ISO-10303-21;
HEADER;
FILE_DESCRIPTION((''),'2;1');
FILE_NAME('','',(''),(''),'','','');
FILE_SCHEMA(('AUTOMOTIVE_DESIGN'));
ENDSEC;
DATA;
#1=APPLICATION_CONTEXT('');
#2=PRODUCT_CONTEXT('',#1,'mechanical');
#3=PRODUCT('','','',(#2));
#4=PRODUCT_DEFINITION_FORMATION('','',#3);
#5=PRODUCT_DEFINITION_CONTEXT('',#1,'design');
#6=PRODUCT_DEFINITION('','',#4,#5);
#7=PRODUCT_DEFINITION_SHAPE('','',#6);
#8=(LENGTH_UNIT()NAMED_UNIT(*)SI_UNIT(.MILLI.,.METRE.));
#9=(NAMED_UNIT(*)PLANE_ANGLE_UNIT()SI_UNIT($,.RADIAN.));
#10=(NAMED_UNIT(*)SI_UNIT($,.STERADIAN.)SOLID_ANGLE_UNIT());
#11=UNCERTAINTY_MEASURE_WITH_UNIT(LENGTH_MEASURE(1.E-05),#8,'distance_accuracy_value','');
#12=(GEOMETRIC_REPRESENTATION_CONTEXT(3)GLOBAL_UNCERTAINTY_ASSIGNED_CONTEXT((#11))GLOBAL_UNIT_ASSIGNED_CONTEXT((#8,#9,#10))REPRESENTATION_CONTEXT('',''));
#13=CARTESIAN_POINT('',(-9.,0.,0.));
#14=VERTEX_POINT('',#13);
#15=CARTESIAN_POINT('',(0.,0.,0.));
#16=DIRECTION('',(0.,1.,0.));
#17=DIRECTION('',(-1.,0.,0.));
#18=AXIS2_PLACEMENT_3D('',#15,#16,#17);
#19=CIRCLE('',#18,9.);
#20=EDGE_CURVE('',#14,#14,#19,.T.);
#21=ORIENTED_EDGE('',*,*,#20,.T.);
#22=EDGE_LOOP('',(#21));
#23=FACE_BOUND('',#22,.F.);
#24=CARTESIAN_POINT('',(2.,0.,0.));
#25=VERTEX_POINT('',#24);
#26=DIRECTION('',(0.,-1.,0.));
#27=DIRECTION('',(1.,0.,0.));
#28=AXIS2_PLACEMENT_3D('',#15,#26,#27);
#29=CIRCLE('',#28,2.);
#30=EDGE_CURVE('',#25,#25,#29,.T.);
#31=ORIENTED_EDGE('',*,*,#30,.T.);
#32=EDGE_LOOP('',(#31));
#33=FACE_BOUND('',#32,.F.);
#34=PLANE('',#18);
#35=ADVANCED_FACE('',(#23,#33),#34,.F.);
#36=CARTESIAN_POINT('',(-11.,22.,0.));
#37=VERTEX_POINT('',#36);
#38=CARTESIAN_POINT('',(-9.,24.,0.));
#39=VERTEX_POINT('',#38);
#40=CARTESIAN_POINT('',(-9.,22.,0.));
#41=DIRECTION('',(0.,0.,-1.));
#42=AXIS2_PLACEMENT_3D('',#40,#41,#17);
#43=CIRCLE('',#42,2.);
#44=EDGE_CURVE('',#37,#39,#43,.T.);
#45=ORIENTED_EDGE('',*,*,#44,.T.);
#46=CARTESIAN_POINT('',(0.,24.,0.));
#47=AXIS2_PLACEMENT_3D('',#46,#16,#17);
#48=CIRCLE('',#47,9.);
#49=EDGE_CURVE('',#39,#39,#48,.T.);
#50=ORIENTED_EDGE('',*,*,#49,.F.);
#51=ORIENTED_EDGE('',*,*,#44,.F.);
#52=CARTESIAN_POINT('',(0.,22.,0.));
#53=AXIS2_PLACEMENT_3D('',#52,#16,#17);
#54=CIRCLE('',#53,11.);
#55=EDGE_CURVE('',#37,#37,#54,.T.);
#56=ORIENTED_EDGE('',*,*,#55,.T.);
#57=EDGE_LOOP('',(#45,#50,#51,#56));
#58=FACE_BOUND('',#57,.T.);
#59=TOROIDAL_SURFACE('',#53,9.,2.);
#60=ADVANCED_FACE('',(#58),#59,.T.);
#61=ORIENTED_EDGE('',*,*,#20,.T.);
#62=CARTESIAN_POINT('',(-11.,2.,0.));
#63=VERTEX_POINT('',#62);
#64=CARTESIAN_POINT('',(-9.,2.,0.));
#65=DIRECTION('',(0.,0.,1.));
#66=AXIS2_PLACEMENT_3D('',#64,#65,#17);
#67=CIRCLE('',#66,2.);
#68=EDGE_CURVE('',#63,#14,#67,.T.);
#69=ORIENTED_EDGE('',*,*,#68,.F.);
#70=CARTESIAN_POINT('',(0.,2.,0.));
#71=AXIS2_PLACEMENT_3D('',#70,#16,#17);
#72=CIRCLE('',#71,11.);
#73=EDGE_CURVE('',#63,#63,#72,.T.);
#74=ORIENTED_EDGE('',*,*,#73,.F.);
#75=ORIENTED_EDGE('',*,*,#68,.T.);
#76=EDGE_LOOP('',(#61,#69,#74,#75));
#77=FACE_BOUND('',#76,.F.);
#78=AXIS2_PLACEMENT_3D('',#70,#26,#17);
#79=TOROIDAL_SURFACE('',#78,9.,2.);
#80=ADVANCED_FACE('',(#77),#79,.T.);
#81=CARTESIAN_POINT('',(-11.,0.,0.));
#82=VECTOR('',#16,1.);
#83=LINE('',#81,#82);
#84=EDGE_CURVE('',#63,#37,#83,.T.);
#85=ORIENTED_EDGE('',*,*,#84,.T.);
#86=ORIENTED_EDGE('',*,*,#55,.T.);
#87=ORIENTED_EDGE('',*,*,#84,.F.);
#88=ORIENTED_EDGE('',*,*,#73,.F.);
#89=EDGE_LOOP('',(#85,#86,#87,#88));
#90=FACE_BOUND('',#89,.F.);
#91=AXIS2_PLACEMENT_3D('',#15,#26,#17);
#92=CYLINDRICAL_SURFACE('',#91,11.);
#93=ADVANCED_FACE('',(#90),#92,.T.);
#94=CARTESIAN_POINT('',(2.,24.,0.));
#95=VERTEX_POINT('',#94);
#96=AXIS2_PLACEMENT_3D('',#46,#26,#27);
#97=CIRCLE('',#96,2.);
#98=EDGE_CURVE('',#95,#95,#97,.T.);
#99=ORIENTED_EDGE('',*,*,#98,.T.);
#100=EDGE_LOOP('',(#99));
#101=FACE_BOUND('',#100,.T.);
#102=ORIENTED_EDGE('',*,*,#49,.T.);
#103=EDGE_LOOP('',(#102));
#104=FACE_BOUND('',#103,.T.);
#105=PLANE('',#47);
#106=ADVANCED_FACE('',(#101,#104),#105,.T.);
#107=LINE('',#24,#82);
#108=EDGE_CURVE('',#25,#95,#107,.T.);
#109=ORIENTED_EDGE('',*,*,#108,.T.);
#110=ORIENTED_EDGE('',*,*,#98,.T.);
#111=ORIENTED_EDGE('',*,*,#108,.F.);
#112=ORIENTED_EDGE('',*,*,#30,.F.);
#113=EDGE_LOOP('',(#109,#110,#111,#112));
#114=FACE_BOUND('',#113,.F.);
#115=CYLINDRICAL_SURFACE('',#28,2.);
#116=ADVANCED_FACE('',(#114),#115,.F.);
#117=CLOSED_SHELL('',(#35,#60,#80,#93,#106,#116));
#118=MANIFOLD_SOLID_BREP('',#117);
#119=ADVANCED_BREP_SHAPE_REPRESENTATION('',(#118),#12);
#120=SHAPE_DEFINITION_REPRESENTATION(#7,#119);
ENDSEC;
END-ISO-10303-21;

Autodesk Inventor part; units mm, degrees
ref_plane "YZ Plane" through (0, 0, 0) normal (1, 0, 0) x (0, 1, 0)
ref_plane "XZ Plane" through (0, 0, 0) normal (0, 1, 0) x (-1, 0, 0)
ref_plane "XY Plane" through (0, 0, 0) normal (0, 0, 1) x (1, 0, 0)
sketch "Sketch1" plane through (0, 0, 0) normal (0, 1, 0) x (-1, 0, 0)
  circle A0 centre (0, 0) radius 11
  dimension "d0" = 22
extrude "Extrusion1" add sketch "Sketch1" along normal blind 24
ref_plane "Work Plane1" through (0, 0, 0) normal (0, -1, 0) x (1, 0, 0)
sketch "Sketch2" plane through (0, 0, 0) normal (0, -1, 0) x (1, 0, 0)
  circle A0 centre (0, 0) radius 2
  dimension "d6" = 4
extrude "Extrusion2" cut sketch "Sketch2" against normal blind 33
fillet "Fillet2" radius 2 2 edges at (11, 0, 0) (11, 24, 0)
properties part number "cylinder"
